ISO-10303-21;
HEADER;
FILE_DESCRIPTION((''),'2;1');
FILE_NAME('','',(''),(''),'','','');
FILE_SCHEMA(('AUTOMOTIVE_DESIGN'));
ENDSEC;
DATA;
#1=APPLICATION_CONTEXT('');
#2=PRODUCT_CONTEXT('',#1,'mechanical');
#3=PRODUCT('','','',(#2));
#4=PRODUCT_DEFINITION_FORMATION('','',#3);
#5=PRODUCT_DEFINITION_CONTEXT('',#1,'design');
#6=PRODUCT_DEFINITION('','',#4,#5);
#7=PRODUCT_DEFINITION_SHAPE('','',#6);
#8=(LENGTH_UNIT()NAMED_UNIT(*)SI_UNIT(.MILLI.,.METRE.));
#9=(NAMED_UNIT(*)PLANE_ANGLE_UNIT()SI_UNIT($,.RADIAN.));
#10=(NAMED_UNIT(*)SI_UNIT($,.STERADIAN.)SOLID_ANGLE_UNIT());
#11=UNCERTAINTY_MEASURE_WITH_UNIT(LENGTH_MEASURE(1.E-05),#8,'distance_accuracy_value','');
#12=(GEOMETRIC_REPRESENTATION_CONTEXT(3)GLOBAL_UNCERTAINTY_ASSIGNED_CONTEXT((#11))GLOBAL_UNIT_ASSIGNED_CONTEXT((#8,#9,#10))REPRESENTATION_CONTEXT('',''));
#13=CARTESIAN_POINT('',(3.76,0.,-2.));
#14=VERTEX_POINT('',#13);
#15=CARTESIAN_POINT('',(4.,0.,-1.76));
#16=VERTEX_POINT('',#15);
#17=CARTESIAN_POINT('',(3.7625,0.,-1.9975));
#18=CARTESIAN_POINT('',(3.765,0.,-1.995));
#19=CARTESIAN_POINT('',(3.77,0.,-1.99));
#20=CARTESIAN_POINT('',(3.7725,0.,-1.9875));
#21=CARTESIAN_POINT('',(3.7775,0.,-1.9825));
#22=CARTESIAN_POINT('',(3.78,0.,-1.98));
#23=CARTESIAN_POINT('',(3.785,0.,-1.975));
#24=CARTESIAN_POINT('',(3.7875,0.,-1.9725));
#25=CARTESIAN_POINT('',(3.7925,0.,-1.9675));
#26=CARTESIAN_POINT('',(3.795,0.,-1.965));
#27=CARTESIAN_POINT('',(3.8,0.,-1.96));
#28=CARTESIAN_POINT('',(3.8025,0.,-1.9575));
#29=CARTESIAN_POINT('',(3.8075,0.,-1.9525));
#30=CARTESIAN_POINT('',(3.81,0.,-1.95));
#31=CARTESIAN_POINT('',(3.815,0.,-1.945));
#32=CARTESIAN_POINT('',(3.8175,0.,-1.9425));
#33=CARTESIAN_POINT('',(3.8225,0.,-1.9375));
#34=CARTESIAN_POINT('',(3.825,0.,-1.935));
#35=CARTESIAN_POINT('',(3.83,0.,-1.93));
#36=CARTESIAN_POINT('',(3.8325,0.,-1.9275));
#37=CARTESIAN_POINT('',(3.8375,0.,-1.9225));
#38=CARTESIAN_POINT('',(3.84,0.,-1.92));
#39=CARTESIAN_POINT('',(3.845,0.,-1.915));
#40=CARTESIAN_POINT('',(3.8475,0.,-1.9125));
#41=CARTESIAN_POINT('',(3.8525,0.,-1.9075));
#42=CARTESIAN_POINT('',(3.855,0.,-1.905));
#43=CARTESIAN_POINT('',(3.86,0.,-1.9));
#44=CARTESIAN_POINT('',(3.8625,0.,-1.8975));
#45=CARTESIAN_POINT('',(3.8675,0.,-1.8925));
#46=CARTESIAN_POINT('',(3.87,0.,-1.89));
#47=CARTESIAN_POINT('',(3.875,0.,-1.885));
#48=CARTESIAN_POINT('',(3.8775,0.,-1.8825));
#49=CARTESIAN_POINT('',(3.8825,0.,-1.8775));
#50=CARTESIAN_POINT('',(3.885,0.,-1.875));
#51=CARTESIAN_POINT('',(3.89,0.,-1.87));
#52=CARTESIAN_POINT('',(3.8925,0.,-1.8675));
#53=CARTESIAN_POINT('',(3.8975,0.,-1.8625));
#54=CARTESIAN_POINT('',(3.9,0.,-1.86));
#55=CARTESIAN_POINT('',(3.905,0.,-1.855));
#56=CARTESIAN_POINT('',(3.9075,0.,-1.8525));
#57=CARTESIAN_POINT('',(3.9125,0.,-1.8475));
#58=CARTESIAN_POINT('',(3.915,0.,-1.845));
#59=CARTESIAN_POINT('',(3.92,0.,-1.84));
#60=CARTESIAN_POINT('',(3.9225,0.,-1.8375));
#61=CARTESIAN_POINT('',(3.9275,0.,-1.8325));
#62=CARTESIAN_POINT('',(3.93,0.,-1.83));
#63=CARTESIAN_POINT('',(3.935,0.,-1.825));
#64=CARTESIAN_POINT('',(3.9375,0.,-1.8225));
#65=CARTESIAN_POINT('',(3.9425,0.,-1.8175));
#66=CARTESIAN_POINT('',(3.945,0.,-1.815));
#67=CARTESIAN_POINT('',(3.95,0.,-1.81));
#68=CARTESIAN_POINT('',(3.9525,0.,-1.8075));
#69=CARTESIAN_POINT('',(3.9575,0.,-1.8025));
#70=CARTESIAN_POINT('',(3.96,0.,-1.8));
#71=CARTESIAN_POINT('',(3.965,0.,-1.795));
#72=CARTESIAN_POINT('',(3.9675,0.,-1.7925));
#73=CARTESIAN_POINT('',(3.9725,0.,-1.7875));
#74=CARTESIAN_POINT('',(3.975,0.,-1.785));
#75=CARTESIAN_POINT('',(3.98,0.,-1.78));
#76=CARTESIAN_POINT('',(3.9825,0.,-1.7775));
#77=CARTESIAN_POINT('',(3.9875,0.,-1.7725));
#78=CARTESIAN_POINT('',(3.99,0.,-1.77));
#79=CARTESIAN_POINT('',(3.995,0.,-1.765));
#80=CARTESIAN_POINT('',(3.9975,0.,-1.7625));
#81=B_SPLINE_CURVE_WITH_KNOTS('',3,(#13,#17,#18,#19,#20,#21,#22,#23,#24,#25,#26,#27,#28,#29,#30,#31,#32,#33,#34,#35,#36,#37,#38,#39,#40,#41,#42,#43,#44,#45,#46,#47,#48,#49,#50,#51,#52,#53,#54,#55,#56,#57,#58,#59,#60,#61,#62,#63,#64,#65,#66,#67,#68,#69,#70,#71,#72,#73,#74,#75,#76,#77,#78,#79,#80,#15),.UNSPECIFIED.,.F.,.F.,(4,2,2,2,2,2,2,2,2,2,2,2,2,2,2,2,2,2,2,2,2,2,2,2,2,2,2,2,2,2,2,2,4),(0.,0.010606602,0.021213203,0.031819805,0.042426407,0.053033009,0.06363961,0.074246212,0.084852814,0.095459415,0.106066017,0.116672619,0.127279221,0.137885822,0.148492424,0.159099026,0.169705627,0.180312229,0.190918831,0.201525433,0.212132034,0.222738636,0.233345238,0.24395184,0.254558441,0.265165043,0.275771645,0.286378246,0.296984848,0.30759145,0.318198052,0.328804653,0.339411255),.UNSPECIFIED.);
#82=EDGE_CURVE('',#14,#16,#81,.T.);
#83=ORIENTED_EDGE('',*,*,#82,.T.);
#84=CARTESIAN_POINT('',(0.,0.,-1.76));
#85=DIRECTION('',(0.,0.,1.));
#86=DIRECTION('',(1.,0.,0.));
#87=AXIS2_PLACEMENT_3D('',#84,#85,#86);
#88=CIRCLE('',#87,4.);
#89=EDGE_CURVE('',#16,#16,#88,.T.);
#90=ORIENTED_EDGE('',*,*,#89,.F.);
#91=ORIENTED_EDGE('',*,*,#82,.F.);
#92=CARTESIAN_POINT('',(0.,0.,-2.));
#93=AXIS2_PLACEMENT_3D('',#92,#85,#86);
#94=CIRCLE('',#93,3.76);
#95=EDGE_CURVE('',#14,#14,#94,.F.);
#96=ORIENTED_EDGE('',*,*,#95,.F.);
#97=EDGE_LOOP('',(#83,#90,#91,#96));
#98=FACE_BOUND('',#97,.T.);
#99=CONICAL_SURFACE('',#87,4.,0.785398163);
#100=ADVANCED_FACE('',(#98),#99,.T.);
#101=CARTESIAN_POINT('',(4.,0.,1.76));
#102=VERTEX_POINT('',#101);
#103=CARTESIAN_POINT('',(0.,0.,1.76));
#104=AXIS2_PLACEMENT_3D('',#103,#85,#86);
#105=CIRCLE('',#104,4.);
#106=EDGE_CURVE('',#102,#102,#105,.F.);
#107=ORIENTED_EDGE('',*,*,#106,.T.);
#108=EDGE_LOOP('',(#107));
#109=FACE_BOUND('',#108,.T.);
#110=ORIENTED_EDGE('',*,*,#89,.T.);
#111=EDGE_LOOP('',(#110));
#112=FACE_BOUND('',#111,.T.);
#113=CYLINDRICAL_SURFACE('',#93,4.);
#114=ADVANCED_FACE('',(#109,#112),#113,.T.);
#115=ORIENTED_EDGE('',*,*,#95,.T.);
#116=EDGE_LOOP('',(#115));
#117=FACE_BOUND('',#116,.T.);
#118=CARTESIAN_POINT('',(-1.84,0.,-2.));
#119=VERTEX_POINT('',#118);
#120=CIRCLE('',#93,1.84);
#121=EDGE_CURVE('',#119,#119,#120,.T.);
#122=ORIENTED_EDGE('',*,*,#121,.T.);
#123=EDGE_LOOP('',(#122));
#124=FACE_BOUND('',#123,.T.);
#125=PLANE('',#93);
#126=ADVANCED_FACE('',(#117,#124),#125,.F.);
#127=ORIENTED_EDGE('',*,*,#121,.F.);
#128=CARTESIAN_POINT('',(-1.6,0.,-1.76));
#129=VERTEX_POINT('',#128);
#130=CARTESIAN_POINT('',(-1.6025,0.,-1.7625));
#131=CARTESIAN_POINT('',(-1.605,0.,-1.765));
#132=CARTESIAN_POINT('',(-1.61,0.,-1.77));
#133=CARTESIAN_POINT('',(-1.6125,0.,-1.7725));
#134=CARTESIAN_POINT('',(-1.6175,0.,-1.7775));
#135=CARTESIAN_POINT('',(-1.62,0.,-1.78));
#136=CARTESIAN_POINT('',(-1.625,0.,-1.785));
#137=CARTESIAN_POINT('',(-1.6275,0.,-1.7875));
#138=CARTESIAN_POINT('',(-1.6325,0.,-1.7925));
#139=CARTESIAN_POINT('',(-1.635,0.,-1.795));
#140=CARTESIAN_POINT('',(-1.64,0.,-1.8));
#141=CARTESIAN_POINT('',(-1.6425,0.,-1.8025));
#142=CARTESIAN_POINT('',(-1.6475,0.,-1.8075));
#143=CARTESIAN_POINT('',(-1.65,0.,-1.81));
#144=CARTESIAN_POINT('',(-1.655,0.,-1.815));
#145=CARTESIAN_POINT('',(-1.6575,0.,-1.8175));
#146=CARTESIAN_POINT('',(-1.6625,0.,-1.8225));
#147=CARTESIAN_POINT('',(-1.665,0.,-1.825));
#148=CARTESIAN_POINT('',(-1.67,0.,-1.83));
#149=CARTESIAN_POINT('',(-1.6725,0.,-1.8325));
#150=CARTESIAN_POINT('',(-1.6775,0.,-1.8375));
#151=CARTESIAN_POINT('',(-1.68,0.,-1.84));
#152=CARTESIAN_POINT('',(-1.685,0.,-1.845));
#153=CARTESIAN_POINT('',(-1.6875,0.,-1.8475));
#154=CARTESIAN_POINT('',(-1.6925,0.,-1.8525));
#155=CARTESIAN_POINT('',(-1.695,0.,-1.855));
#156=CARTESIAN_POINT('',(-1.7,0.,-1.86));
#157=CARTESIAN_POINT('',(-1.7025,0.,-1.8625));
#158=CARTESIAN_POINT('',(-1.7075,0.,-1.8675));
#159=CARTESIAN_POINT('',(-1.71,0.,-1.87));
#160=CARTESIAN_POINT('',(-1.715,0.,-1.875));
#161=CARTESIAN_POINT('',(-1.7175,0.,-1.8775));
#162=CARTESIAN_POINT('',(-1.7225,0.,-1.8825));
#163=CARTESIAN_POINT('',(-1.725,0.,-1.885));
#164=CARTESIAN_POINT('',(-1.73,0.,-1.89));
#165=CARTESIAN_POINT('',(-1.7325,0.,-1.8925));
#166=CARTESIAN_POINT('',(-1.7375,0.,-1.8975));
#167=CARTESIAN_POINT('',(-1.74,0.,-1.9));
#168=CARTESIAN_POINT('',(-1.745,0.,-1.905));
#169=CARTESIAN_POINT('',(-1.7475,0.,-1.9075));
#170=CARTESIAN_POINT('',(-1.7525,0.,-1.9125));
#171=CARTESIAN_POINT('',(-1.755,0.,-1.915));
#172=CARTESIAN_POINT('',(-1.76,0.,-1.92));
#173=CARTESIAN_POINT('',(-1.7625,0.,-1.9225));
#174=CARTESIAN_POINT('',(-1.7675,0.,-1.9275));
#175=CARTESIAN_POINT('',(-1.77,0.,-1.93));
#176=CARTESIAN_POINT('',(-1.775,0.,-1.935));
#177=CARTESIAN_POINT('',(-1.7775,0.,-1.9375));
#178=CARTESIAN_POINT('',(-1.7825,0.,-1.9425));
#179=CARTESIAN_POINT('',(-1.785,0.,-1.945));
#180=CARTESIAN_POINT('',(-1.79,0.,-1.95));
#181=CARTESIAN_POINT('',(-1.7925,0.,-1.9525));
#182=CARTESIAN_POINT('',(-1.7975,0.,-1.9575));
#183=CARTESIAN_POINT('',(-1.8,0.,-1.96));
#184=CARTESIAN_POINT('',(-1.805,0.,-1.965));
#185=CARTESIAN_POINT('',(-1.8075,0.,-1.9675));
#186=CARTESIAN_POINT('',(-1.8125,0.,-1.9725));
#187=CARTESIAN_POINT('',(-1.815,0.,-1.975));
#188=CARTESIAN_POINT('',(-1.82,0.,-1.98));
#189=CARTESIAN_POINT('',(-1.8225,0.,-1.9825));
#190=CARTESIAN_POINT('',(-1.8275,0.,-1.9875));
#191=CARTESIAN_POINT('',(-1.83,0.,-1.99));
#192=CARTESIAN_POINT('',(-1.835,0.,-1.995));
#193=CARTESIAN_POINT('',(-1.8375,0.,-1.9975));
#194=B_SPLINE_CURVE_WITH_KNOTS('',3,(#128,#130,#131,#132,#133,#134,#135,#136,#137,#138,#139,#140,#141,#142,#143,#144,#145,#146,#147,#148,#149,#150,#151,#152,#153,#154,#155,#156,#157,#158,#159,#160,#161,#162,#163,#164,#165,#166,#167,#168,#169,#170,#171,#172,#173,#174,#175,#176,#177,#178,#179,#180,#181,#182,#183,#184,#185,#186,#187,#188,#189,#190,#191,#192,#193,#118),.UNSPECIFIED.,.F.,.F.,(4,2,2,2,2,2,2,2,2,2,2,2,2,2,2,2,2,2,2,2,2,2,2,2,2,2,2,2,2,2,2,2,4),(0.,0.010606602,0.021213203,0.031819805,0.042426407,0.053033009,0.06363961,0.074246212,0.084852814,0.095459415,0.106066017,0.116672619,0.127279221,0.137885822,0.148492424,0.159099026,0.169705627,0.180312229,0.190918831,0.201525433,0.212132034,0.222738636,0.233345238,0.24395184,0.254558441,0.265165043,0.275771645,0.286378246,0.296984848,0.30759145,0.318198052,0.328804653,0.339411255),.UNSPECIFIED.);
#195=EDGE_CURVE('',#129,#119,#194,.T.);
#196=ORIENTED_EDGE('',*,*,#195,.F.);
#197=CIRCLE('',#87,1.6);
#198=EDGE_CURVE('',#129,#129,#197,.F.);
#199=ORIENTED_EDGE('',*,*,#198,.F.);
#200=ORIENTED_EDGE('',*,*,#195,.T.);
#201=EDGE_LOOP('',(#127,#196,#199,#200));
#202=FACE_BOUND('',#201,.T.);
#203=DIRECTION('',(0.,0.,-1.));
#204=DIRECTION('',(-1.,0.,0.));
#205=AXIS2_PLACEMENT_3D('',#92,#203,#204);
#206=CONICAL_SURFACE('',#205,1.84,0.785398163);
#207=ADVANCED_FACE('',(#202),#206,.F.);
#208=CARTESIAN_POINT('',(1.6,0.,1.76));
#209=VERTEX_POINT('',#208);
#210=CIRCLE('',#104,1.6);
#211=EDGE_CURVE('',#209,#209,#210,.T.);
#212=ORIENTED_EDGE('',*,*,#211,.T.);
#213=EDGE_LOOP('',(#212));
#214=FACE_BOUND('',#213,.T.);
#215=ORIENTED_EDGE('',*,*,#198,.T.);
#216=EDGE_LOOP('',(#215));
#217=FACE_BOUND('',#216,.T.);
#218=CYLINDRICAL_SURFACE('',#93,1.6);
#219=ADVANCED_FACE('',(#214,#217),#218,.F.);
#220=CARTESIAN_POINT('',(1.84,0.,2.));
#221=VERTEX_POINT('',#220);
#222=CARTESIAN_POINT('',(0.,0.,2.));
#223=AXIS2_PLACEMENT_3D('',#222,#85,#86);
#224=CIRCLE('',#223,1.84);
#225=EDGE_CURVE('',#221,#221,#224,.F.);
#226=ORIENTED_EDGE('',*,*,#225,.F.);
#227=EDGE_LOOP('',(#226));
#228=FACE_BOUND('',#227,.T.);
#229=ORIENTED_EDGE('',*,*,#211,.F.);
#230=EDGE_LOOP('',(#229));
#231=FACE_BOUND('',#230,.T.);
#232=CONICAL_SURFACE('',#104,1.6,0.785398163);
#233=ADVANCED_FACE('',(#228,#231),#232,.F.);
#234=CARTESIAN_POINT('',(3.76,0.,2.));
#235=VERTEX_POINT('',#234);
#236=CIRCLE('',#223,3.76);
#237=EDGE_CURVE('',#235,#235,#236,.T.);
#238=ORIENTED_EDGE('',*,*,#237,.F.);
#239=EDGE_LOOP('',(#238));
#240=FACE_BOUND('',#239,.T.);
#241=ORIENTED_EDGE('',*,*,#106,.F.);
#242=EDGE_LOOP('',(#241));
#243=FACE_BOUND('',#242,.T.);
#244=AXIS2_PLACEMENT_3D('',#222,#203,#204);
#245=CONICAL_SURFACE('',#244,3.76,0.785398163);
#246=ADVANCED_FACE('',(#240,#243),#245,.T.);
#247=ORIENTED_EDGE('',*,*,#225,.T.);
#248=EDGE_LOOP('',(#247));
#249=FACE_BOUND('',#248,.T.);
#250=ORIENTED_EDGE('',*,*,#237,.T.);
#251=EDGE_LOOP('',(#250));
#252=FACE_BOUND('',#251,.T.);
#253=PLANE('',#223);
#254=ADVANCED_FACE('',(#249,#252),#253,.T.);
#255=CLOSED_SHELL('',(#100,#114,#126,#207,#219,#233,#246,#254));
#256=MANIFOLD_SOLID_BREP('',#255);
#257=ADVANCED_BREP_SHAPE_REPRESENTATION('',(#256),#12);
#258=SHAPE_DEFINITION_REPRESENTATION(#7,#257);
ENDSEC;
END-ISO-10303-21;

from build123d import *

# Parameters (mm, degrees)
BOSS_EXTRUDE1_DEPTH      = 2
BOSS_EXTRUDE1_DEPTH_BACK = 2
SKETCH3_R                = 4
SKETCH3_R_2              = 1.6
CHAMFER1_SIZE            = 0.24


with BuildPart() as part:
    # Sketch3 → Boss-Extrude1 (new, two sides: drawn at the far end of the back side and taken through both)
    with BuildSketch(Plane.XY.offset(-BOSS_EXTRUDE1_DEPTH_BACK)):
        Circle(SKETCH3_R)
        Circle(SKETCH3_R_2, mode=Mode.SUBTRACT)
    extrude(amount=BOSS_EXTRUDE1_DEPTH + BOSS_EXTRUDE1_DEPTH_BACK)

    # Chamfer1
    chamfer1_edges = [part.edges().sort_by_distance(p)[0] for p in [
        (-4, 0, -2),
        (-1.6, 0, -2),
        (-4, 0, 2),
        (-1.6, 0, 2),
    ]]
    chamfer(chamfer1_edges, length=CHAMFER1_SIZE)


solid = part.part
